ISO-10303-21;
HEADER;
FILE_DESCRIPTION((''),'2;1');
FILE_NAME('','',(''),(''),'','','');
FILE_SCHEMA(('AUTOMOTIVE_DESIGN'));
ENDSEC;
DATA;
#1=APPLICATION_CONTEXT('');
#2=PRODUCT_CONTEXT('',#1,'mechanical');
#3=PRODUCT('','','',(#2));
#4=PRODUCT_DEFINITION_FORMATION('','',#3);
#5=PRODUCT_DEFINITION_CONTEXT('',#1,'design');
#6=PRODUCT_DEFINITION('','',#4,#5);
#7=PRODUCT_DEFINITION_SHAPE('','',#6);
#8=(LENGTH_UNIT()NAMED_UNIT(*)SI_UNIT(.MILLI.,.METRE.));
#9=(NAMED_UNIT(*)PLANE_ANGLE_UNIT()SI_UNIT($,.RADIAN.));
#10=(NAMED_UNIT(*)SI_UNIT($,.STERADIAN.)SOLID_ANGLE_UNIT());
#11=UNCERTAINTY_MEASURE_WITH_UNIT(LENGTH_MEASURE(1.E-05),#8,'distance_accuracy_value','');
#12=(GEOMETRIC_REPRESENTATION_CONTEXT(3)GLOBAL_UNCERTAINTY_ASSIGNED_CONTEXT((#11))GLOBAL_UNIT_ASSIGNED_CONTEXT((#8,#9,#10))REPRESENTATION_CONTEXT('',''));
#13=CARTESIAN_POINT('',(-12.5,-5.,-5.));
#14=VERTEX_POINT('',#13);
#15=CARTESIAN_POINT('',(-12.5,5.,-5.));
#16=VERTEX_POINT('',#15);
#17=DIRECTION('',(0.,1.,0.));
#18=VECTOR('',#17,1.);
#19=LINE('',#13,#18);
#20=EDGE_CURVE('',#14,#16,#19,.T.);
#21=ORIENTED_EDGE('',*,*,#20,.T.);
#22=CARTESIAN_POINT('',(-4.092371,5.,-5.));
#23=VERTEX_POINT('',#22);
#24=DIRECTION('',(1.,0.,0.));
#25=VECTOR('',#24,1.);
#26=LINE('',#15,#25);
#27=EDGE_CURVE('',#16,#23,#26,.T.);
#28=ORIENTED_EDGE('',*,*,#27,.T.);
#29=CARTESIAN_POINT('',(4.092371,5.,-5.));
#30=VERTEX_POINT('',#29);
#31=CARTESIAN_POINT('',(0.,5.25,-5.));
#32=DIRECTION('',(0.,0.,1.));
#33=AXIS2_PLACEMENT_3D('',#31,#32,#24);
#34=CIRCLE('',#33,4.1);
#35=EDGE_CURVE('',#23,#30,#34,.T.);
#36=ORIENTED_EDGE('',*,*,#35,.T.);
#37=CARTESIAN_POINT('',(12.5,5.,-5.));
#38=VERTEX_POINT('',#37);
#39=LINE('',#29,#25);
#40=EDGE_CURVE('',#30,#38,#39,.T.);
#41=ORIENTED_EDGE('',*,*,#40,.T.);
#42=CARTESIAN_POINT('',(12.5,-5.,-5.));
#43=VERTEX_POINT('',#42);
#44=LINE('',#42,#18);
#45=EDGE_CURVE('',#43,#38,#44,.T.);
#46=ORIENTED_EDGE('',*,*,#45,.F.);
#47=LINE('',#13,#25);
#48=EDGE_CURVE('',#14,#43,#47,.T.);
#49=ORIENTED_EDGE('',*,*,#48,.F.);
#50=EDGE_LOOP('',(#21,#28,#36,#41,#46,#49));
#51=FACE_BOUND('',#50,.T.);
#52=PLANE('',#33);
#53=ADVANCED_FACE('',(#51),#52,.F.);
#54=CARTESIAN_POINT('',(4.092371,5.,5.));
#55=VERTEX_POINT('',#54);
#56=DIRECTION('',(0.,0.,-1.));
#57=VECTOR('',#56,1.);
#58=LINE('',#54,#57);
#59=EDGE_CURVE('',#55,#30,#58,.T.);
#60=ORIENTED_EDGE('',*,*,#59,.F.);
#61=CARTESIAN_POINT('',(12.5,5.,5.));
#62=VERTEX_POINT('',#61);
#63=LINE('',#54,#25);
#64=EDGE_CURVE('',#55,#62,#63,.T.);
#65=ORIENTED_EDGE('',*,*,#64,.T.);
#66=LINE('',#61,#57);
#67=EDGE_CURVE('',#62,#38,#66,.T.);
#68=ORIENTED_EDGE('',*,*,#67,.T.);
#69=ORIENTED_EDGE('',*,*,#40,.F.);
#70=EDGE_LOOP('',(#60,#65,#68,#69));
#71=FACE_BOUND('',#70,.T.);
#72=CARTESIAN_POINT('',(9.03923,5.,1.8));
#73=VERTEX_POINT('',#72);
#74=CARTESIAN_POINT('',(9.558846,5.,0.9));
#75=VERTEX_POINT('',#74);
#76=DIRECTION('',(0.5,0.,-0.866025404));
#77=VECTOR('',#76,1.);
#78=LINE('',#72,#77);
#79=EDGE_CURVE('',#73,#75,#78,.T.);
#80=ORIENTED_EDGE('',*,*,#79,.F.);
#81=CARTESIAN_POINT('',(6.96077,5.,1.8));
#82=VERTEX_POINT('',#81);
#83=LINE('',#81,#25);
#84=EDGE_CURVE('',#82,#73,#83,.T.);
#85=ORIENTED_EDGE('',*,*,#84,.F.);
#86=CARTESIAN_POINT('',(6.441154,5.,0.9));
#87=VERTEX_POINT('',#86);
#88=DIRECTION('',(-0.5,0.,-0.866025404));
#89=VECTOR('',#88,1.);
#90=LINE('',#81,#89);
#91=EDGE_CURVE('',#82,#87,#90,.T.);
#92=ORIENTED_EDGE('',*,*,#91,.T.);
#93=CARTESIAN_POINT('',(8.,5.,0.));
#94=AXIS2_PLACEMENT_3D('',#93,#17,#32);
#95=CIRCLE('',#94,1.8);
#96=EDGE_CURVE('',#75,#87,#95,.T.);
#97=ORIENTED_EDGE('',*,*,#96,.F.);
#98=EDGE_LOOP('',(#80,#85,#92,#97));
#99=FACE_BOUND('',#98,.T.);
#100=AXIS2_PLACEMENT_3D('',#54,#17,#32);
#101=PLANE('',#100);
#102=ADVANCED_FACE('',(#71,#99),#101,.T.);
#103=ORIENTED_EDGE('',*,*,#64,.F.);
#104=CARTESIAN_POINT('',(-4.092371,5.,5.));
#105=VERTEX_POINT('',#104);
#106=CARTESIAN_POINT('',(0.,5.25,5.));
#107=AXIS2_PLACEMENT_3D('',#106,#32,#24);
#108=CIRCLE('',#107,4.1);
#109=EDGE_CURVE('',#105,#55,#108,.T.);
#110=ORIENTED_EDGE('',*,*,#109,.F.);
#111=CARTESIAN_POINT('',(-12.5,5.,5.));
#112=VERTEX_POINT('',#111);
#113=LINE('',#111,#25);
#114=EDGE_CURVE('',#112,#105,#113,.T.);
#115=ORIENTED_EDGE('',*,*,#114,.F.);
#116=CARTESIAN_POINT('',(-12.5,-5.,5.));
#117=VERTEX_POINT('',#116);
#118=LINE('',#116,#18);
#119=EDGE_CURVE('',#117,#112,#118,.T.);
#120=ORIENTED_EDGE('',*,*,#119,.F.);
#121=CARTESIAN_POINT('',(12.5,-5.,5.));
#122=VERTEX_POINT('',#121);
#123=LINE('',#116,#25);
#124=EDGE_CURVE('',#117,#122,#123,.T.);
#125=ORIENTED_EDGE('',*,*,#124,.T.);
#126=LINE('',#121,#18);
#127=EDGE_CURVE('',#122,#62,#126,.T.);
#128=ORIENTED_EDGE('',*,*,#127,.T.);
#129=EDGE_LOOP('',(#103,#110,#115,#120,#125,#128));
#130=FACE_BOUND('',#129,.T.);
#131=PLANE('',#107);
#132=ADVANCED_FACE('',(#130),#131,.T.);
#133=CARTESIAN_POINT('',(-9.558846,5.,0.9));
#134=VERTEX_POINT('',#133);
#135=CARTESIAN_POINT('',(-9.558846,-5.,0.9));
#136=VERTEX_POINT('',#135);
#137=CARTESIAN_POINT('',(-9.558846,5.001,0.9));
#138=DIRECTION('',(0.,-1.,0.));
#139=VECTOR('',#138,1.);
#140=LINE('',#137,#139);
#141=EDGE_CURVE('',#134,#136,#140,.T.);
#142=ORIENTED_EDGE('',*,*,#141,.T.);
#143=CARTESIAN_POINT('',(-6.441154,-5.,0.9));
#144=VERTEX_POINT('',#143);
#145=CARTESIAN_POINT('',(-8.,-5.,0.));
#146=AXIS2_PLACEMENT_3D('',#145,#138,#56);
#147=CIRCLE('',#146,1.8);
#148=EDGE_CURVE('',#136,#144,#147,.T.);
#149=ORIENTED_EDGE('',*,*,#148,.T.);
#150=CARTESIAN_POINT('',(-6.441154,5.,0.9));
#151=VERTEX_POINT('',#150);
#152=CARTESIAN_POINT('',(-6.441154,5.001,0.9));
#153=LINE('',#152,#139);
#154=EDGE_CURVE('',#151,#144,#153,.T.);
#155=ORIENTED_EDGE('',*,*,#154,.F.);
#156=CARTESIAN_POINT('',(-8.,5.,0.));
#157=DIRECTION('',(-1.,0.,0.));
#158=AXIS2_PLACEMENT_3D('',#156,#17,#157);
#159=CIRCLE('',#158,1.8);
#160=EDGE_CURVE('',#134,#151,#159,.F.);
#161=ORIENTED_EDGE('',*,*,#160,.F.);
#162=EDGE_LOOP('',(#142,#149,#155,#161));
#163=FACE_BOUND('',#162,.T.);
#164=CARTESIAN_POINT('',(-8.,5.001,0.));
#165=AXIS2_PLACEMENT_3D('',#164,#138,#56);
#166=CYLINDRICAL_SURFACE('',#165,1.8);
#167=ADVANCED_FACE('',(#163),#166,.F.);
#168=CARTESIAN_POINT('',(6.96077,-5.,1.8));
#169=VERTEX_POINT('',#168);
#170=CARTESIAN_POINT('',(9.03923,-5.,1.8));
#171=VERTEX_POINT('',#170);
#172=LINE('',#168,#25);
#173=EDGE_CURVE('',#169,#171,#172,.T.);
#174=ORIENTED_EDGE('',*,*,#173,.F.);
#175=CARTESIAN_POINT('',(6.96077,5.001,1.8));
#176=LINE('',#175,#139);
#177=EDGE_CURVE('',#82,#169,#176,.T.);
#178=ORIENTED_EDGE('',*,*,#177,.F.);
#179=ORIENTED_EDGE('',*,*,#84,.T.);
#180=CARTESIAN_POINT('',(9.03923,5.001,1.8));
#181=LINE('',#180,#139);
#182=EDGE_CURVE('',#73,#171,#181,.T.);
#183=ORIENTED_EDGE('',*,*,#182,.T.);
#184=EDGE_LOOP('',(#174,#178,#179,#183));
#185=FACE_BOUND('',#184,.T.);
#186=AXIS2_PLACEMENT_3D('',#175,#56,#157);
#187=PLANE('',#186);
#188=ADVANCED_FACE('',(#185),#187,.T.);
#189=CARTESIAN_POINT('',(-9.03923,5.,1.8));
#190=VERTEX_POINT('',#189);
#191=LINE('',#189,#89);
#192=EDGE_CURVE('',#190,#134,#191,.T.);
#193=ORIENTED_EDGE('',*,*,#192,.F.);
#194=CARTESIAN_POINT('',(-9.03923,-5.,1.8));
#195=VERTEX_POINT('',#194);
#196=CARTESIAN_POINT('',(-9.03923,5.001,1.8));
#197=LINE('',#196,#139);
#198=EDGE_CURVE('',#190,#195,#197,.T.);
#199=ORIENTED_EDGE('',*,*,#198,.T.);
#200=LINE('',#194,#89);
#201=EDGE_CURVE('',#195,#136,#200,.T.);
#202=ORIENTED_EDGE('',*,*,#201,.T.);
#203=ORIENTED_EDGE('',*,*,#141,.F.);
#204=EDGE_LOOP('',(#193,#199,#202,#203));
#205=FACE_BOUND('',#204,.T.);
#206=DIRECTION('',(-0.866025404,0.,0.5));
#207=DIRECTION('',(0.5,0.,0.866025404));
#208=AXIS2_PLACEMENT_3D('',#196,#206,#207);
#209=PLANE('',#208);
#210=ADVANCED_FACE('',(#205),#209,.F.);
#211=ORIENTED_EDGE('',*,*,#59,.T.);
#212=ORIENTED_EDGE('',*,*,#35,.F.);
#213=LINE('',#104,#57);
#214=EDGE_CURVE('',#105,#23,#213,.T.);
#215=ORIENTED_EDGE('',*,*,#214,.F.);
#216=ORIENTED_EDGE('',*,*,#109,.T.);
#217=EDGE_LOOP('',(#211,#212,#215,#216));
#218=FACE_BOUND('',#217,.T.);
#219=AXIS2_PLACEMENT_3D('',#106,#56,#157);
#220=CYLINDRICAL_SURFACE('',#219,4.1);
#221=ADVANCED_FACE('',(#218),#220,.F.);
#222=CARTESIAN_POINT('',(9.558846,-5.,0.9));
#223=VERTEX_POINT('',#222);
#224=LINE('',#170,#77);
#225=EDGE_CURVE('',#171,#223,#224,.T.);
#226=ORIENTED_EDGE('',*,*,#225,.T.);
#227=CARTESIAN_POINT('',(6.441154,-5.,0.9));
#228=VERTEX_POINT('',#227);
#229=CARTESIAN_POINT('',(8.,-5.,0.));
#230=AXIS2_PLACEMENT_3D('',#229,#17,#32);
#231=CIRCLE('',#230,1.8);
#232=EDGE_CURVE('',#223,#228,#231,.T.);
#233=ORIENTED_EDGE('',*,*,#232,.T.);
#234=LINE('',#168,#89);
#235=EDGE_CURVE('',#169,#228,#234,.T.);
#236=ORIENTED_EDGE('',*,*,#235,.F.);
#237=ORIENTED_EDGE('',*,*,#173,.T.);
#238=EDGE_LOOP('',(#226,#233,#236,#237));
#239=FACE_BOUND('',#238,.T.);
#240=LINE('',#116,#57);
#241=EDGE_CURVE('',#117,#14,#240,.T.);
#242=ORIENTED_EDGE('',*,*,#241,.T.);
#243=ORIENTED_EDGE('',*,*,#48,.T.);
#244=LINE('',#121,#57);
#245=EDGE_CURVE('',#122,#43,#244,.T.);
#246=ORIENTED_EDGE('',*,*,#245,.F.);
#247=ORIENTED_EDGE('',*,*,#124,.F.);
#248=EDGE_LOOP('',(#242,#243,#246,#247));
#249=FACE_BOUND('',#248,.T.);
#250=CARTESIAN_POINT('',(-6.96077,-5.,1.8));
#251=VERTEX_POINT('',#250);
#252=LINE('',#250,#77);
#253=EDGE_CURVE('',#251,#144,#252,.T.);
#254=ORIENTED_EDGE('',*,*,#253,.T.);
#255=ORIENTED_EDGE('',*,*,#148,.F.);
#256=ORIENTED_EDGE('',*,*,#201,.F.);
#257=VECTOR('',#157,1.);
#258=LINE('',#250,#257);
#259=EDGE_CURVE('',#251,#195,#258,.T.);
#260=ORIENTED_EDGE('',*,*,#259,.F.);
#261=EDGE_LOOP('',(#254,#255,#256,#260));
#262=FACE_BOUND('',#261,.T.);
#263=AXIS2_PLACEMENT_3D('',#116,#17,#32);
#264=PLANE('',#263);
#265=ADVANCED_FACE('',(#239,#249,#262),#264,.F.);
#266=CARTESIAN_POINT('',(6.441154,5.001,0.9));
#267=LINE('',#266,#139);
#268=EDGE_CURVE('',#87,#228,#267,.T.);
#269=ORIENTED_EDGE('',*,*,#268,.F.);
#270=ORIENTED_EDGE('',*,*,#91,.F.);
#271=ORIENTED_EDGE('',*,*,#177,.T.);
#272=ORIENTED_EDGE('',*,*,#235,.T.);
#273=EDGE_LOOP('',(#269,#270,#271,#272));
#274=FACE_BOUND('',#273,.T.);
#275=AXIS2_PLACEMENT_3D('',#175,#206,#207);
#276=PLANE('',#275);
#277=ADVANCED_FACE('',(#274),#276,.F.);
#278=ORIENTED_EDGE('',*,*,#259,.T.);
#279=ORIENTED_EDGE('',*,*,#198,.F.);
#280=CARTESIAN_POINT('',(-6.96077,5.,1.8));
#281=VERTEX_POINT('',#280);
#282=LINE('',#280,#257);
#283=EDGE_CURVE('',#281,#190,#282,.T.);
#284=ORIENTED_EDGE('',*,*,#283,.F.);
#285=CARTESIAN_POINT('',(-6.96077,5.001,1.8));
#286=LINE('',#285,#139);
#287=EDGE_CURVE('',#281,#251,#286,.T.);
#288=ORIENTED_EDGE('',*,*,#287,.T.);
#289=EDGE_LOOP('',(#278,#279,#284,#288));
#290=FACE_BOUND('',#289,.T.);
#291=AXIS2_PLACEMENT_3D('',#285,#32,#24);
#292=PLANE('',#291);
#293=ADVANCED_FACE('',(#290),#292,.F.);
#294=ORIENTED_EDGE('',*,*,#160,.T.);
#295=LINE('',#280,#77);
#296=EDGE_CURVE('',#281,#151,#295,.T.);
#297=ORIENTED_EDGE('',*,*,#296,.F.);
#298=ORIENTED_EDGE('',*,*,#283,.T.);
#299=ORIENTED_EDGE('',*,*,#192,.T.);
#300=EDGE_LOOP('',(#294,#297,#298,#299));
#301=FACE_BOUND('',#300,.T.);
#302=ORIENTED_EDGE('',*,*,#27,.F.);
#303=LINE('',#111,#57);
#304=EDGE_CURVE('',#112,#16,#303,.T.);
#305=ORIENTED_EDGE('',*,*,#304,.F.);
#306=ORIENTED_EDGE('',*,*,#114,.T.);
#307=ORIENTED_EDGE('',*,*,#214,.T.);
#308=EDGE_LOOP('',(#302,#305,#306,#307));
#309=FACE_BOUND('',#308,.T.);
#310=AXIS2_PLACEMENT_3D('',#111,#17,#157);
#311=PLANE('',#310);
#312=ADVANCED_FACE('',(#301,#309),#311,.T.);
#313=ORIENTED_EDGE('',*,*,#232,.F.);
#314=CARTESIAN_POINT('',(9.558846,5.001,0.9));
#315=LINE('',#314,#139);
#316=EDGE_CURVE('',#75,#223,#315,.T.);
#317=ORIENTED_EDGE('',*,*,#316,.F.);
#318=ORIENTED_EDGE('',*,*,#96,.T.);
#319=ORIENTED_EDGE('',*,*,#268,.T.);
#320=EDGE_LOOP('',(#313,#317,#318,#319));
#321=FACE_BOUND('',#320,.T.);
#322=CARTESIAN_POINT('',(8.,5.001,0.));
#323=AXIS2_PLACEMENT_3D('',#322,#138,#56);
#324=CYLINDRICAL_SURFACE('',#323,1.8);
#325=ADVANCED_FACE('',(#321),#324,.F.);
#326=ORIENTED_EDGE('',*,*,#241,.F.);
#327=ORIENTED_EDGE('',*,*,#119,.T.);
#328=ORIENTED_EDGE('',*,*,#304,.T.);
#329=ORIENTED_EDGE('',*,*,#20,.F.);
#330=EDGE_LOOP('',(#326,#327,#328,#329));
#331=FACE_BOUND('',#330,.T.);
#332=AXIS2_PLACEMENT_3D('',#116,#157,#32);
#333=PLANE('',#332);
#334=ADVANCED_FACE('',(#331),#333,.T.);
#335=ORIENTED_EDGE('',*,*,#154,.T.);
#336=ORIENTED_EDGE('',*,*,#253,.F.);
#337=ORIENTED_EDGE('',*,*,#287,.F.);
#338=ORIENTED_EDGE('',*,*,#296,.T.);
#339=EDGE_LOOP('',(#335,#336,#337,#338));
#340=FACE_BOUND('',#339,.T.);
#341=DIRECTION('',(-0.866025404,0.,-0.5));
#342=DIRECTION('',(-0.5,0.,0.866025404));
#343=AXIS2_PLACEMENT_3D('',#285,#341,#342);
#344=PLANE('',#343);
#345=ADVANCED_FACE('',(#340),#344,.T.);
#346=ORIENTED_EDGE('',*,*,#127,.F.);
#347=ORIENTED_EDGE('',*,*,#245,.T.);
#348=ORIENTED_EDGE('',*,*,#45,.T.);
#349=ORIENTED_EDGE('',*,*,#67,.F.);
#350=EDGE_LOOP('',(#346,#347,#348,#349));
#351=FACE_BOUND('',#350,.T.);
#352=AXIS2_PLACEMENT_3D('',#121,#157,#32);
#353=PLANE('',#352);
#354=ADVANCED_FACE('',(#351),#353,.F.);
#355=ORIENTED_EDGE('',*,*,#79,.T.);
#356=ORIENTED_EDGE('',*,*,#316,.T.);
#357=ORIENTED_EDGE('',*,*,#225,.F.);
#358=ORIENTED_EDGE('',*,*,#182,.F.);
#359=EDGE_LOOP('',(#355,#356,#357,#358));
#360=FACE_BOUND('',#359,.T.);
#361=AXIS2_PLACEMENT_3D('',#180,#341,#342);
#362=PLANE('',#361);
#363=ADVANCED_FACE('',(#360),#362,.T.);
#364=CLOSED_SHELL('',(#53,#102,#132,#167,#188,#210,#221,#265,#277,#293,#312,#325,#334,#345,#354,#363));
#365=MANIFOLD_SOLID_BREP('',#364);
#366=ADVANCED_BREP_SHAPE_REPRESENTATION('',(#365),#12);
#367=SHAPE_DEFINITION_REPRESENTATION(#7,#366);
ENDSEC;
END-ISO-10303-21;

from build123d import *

# Parameters (mm, degrees)
MAIN_BODY_DEPTH   = 5
SCREW_HOLES_REACH = 18.771


with BuildPart() as part:
    # Schizzo1 → Main body (new, symmetric)
    with BuildSketch(Plane.XY):
        with BuildLine():
            Line((-12.5, -5), (12.5, -5))
            Line((12.5, -5), (12.5, 5))
            Line((12.5, 5), (4.092370951, 5))
            ThreePointArc((4.092370951, 5), (0, 1.15), (-4.092370951, 5))
            Line((-4.092370951, 5), (-12.5, 5))
            Line((-12.5, 5), (-12.5, -5))
        make_face()
    extrude(amount=MAIN_BODY_DEPTH, both=True)

    # Schizzo2 → screw holes (cut, up to next)
    with BuildSketch(Plane.XZ.offset(5), mode=Mode.PRIVATE) as screw_holes_sk1:
        with BuildLine():
            Line((-6.960769515, 1.8), (-6.441154273, 0.9))
            ThreePointArc((-6.441154273, 0.9), (-8, -1.8), (-9.558845727, 0.9))
            Line((-9.558845727, 0.9), (-9.039230485, 1.8))
            Line((-9.039230485, 1.8), (-6.960769515, 1.8))
        make_face()
    screw_holes_tool1 = extrude(screw_holes_sk1.sketch, amount=-SCREW_HOLES_REACH, mode=Mode.PRIVATE) & part.part
    # Schizzo2 → screw holes (cut, up to next)
    with BuildSketch(Plane.XZ.offset(5), mode=Mode.PRIVATE) as screw_holes_sk2:
        with BuildLine():
            Line((6.960769515, 1.8), (9.039230485, 1.8))
            Line((9.039230485, 1.8), (9.558845727, 0.9))
            ThreePointArc((9.558845727, 0.9), (8, -1.8), (6.441154273, 0.9))
            Line((6.441154273, 0.9), (6.960769515, 1.8))
        make_face()
    screw_holes_tool2 = extrude(screw_holes_sk2.sketch, amount=-SCREW_HOLES_REACH, mode=Mode.PRIVATE) & part.part
    add(screw_holes_tool1.solids().sort_by_distance((-8, -5, 0.053309))[0], mode=Mode.SUBTRACT)
    add(screw_holes_tool2.solids().sort_by_distance((8, -5, 0.053309))[0], mode=Mode.SUBTRACT)


solid = part.part
